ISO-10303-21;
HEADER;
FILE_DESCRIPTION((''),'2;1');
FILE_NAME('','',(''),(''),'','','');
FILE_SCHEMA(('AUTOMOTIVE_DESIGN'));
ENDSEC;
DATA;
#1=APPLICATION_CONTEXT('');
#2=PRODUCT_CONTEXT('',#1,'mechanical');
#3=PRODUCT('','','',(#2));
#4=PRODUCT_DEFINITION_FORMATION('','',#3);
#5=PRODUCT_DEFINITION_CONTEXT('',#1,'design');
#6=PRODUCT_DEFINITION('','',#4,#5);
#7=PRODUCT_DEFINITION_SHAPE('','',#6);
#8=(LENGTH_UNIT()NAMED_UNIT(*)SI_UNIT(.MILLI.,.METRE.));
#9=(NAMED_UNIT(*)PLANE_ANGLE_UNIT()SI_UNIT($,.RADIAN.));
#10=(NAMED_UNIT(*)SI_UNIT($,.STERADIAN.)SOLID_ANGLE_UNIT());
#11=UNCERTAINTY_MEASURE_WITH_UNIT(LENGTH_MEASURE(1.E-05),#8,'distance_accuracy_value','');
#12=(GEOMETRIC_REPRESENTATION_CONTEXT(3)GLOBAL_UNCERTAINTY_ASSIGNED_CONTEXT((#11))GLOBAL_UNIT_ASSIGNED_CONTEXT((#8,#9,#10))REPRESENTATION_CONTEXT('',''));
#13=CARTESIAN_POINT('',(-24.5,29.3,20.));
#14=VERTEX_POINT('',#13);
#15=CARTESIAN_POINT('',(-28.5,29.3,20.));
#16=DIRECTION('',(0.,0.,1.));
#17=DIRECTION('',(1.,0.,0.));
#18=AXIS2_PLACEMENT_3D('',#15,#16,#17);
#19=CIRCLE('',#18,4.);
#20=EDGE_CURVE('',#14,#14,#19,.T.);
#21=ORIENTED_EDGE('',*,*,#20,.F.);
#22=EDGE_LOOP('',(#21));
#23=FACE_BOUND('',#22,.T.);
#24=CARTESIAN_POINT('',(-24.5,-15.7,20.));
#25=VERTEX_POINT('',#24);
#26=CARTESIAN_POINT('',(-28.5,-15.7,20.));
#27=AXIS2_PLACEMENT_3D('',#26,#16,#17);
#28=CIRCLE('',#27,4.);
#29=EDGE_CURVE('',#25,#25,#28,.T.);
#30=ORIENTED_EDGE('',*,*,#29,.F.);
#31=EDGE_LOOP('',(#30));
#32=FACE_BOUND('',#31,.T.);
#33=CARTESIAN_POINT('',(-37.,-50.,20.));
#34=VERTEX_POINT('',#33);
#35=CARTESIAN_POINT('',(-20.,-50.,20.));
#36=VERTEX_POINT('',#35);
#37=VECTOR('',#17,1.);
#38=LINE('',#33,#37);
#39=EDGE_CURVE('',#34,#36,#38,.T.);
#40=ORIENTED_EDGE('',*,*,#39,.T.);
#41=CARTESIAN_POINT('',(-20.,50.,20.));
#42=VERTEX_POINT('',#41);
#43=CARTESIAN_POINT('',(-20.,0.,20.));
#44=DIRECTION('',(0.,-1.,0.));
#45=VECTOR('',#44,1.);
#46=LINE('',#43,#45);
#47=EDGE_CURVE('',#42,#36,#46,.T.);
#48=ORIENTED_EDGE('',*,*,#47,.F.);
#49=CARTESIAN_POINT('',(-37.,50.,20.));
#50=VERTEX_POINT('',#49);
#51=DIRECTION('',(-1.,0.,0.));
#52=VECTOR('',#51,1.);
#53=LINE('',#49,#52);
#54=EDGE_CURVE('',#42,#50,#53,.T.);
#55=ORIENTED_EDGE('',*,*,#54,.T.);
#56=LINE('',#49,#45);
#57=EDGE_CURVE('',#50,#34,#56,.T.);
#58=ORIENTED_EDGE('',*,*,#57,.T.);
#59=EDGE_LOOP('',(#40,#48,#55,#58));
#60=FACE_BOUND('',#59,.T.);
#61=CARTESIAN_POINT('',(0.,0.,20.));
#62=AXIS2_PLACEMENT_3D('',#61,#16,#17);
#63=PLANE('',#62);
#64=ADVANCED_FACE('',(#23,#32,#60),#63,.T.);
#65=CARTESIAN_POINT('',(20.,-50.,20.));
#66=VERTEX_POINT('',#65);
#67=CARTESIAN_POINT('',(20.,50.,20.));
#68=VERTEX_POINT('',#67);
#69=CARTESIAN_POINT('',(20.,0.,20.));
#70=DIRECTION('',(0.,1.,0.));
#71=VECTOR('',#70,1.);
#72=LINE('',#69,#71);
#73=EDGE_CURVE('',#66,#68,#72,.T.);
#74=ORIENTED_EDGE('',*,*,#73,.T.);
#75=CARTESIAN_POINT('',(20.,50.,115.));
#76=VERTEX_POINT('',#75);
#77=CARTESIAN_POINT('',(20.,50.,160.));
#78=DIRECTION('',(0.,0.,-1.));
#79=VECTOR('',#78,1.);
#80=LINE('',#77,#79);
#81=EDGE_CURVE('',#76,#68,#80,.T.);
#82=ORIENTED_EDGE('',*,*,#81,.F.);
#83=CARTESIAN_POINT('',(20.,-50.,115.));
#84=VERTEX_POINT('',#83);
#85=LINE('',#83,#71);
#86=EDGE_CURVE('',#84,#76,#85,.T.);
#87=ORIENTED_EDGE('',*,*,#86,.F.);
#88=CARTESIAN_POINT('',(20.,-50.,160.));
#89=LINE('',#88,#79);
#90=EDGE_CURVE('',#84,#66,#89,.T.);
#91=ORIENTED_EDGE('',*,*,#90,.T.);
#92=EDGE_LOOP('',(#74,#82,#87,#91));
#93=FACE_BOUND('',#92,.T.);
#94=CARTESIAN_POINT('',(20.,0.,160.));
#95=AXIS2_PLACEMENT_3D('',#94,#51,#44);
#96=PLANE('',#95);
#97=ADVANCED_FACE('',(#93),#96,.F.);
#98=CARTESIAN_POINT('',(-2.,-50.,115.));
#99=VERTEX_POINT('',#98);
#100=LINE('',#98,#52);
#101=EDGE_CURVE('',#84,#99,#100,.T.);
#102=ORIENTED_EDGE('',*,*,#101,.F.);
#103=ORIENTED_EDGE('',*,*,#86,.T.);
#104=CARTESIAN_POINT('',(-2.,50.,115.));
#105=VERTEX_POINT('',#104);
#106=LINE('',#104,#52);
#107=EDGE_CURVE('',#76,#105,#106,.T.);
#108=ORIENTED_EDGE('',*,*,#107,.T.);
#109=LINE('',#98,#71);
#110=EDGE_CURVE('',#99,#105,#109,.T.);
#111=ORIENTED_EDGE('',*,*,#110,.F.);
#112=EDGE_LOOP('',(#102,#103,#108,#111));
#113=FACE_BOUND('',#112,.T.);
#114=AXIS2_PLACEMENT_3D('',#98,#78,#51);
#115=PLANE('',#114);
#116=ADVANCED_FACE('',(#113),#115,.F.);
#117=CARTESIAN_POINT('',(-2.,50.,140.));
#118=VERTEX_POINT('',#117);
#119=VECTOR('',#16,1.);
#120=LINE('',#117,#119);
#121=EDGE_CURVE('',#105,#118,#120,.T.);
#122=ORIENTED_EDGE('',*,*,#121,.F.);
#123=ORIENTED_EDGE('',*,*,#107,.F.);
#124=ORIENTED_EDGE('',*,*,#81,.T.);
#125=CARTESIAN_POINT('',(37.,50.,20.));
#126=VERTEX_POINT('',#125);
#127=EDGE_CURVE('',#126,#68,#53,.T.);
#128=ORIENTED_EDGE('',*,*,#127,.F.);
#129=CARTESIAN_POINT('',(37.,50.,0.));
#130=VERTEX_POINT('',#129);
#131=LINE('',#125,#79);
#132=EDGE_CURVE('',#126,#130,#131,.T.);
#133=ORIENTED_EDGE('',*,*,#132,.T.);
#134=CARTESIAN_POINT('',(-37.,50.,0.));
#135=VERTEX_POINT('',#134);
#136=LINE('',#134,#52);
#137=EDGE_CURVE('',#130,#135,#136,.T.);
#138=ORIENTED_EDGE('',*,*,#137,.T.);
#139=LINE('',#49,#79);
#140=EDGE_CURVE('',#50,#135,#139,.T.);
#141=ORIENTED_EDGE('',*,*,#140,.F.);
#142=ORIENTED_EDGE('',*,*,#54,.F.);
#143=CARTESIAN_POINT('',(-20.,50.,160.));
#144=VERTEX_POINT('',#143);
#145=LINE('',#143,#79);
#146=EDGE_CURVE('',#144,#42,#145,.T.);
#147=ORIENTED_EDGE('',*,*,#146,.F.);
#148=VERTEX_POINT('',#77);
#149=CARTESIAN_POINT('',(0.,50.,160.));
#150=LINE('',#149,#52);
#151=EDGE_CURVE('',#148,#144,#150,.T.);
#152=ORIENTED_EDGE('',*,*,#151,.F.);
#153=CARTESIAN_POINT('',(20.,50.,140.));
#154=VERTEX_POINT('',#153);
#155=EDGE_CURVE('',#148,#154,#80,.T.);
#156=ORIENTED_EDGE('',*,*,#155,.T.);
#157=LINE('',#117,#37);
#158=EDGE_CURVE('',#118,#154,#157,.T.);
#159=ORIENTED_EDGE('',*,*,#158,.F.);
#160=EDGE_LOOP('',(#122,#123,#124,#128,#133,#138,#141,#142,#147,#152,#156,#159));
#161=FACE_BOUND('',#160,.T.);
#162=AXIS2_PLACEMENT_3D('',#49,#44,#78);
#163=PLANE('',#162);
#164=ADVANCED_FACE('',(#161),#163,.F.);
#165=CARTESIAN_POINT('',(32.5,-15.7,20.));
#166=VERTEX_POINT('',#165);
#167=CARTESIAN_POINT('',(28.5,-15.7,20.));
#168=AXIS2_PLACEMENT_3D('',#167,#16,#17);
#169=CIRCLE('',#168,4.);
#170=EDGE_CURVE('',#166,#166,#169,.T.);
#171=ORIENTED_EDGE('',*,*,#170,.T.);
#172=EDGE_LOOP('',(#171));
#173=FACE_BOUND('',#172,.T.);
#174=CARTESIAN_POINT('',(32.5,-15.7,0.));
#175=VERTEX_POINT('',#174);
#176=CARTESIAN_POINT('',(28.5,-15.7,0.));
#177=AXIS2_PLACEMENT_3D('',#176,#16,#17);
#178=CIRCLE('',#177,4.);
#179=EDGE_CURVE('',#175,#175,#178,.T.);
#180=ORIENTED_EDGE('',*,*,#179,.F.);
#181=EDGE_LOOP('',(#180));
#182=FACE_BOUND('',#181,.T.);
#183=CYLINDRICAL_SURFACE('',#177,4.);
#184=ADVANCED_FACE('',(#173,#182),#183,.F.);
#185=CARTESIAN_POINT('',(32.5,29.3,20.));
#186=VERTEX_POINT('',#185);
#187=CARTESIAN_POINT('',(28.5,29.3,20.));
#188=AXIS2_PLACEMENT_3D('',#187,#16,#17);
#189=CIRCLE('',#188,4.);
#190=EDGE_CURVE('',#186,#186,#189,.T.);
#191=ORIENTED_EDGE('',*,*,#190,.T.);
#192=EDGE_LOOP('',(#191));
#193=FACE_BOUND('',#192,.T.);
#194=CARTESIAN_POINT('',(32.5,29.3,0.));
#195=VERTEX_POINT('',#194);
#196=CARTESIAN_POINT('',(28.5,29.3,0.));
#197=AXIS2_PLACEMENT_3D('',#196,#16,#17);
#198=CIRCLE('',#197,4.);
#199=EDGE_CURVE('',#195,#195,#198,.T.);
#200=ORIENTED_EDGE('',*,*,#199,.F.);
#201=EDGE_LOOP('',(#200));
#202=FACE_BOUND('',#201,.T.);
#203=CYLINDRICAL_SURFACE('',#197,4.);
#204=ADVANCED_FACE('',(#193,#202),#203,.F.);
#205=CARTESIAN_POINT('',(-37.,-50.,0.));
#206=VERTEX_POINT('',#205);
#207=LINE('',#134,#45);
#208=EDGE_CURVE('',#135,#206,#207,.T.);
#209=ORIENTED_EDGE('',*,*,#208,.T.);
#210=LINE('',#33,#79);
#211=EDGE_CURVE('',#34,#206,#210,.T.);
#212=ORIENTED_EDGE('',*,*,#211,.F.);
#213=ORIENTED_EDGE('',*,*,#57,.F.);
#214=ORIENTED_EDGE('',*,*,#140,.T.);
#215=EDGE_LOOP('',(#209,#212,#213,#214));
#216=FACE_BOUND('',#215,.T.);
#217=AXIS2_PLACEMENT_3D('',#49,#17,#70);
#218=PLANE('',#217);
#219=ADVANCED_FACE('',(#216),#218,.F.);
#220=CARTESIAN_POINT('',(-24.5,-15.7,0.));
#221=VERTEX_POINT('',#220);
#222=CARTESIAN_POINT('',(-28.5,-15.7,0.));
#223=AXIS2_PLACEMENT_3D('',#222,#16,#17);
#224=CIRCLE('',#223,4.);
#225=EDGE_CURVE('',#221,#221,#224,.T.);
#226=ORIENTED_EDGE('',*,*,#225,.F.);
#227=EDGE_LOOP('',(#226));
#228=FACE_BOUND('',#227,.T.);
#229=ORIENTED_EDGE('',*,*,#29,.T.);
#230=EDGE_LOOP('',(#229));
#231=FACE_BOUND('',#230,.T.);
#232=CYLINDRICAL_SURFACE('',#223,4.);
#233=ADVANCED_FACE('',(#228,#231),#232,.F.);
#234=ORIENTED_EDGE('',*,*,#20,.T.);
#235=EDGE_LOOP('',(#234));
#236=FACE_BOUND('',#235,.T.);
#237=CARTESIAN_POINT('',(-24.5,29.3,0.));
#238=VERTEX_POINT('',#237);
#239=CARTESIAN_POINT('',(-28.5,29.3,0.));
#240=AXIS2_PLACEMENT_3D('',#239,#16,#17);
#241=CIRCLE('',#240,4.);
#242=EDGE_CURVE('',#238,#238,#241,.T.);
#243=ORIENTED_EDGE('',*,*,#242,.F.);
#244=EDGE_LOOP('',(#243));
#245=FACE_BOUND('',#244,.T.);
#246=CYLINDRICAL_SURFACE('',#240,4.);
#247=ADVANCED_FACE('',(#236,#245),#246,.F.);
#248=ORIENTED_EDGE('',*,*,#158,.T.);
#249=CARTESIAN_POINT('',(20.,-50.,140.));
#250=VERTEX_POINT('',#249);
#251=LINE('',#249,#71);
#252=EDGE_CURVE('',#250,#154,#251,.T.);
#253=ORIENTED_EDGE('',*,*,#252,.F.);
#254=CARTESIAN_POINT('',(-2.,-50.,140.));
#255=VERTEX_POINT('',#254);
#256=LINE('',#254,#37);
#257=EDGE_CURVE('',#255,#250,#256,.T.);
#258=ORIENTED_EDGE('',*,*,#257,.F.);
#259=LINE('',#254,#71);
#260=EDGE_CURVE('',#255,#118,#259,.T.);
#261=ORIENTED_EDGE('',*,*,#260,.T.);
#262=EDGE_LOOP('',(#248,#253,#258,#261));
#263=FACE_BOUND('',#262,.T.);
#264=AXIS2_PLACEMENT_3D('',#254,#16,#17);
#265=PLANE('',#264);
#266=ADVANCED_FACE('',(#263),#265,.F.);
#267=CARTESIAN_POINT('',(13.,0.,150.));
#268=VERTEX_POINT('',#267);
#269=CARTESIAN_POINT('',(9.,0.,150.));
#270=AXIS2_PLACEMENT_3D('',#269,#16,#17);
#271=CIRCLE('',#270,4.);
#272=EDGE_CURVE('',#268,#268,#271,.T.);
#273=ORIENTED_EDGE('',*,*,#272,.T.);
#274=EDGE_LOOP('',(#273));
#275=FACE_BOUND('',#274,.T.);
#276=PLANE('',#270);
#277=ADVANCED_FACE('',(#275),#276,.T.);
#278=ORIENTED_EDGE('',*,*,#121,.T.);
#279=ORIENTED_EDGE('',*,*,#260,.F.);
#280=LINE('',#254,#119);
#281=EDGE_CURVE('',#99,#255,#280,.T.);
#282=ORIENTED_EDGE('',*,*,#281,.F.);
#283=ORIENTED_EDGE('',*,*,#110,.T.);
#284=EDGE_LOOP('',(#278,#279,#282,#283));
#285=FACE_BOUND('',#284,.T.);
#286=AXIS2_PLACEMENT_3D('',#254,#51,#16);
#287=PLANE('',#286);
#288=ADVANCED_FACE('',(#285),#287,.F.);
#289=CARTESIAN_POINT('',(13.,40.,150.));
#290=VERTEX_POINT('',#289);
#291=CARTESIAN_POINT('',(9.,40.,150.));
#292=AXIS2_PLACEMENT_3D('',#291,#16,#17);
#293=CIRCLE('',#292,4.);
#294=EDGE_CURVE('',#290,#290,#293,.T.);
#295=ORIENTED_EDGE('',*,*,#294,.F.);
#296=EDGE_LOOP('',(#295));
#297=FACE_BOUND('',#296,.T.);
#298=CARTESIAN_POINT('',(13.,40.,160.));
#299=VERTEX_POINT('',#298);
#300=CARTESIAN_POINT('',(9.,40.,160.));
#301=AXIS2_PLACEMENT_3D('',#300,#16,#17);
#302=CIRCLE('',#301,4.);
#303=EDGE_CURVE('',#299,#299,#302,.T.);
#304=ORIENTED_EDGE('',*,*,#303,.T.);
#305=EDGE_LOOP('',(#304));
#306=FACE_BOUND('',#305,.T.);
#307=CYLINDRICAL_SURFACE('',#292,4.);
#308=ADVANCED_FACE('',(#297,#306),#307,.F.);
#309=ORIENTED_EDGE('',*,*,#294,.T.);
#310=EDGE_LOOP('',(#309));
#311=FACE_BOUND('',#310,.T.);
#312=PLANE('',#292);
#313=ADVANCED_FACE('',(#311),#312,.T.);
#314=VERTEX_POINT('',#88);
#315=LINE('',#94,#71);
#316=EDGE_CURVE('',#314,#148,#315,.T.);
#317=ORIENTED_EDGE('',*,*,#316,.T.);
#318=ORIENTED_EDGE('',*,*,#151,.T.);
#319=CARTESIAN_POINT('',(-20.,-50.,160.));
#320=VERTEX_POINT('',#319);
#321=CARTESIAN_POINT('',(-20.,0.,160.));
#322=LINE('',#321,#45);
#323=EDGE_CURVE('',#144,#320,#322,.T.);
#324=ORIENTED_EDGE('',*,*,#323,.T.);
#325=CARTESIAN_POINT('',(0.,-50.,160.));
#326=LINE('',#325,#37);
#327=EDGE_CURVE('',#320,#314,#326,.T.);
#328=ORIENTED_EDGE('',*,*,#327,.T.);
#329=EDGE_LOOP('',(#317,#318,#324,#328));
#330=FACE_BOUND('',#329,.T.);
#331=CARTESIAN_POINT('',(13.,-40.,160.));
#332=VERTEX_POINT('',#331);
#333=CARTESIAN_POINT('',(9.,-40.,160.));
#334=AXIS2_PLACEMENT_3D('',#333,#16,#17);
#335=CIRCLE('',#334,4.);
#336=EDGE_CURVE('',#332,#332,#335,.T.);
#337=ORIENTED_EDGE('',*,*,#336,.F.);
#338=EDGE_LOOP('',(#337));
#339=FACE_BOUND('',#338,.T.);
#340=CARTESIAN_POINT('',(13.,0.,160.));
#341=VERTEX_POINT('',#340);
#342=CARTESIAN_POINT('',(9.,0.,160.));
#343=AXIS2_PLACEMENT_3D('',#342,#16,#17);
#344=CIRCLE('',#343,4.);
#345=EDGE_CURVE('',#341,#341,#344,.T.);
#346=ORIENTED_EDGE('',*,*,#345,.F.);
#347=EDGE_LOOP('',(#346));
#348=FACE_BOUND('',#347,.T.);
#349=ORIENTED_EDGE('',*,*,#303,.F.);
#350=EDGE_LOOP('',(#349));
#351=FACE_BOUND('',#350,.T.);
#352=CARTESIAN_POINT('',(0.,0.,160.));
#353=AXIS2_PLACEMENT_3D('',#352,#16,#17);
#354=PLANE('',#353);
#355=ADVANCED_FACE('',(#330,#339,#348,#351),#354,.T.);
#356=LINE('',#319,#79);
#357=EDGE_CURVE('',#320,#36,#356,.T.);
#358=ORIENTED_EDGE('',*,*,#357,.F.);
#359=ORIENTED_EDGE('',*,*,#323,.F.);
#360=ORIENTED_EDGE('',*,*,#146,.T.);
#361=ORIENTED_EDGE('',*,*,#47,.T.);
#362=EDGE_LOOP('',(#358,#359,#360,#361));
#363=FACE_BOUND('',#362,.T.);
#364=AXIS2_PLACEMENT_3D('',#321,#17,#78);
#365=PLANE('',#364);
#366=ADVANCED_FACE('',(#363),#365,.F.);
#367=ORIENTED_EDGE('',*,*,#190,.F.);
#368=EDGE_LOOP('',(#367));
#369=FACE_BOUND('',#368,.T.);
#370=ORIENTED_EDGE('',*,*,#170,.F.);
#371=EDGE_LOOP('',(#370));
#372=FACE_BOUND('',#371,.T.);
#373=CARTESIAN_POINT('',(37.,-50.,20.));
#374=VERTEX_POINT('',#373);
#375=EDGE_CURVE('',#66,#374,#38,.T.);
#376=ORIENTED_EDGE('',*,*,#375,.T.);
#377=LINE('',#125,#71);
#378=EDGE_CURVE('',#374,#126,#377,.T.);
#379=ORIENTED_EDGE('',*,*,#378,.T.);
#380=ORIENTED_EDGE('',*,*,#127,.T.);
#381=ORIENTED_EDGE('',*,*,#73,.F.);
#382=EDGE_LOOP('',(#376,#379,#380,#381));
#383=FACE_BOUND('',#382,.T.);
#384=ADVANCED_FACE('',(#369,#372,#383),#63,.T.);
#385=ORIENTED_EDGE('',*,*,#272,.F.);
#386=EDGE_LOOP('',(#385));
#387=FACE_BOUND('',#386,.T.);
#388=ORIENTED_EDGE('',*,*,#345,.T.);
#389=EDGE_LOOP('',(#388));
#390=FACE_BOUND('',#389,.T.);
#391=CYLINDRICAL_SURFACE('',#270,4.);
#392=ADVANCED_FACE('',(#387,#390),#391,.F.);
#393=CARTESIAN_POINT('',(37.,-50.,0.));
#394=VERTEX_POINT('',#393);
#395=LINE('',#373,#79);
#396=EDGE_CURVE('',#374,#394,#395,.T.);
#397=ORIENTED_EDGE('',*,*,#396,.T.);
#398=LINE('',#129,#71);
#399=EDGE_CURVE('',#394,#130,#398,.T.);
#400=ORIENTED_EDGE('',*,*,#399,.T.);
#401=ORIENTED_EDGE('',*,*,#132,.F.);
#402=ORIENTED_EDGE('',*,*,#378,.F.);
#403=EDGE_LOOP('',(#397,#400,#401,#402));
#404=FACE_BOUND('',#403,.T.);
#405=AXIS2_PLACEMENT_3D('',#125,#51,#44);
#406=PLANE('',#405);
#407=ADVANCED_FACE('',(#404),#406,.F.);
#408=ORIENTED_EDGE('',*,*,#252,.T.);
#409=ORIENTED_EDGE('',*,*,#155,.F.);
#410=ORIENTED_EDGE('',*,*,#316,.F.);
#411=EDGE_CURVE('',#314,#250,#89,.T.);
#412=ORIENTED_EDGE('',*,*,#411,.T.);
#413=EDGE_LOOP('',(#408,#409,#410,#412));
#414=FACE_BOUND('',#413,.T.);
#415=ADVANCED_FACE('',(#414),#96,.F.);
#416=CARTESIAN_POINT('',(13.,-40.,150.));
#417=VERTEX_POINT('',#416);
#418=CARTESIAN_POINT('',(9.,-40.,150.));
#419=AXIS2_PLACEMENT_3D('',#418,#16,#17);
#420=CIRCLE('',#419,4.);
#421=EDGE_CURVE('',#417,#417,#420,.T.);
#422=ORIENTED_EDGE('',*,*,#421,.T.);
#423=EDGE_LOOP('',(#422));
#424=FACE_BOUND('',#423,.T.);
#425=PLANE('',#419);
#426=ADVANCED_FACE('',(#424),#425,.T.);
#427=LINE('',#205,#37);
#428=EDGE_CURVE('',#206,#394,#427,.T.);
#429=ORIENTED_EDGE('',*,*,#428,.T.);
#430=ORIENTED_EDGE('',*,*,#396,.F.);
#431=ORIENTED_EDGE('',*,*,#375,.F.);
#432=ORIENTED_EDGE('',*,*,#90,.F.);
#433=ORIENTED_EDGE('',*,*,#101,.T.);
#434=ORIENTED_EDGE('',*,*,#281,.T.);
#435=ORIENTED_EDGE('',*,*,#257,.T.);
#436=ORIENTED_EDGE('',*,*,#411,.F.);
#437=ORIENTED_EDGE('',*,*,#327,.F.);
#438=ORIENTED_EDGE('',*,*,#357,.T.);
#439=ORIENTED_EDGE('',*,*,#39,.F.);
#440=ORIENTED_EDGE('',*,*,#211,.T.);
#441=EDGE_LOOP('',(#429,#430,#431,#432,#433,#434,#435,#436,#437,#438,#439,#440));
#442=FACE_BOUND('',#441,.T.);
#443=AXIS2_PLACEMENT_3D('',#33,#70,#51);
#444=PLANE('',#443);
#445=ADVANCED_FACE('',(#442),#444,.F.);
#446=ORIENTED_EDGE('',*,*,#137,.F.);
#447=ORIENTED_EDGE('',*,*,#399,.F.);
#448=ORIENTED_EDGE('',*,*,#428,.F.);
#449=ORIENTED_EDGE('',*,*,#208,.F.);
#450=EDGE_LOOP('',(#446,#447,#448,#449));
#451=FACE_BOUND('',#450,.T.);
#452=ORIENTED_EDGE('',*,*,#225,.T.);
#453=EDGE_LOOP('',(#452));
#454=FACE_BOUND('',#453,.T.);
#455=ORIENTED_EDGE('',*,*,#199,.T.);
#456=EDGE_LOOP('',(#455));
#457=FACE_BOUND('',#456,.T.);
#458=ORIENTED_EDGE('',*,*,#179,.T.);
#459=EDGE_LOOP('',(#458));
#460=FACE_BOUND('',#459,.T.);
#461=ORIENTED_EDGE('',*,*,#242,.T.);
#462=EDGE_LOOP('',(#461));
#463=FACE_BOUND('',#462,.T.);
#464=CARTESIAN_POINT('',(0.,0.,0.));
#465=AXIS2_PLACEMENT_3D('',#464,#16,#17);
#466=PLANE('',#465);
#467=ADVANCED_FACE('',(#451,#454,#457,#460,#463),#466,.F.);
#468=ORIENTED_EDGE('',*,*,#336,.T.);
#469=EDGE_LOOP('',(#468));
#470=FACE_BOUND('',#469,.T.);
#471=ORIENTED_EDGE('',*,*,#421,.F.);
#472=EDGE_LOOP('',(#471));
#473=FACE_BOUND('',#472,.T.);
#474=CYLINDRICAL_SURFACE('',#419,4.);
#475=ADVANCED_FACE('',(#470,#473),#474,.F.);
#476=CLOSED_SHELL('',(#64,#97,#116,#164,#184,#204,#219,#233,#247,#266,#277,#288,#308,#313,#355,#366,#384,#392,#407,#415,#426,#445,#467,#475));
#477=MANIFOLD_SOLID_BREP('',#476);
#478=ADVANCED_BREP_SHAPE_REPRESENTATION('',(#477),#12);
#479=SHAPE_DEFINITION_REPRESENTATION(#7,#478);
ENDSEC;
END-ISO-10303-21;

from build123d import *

# Parameters (mm, degrees)
SZKIC1_W                    = 74
SZKIC1_H                    = 100
DODANIE_WYCI_GNI_CIE1_DEPTH = 20
SZKIC3_W                    = 40
SZKIC3_H                    = 100
DODANIE_WYCI_GNI_CIE2_DEPTH = 140
SZKIC4_R                    = 4
WYTNIJ_WYCI_GNI_CIE1_DEPTH  = 20
SZYK_LINIOWY1_COUNT         = 2
SZYK_LINIOWY1_PITCH         = 45
SZYK_LINIOWY1_COUNT_DIR2    = 2
SZYK_LINIOWY1_PITCH_DIR2    = 57
SZKIC5_W                    = 22
SZKIC5_H                    = 25
WYTNIJ_WYCI_GNI_CIE2_DEPTH  = 100
SZKIC6_R                    = 4
WYTNIJ_WYCI_GNI_CIE3_DEPTH  = 10


with BuildPart() as part:
    # Szkic1 → Dodanie-wyciągnięcie1 (new body)
    with BuildSketch(Plane.XY):
        Rectangle(SZKIC1_W, SZKIC1_H)
    extrude(amount=DODANIE_WYCI_GNI_CIE1_DEPTH)

    # Szkic3 → Dodanie-wyciągnięcie2 (add)
    with BuildSketch(Plane.XY.offset(20)):
        Rectangle(SZKIC3_W, SZKIC3_H)
    extrude(amount=DODANIE_WYCI_GNI_CIE2_DEPTH)

    # Szkic4 → Wytnij-wyciągnięcie1 (cut)
    with BuildSketch(Plane.XY.offset(20)):
        with Locations((-28.5, 29.3)):
            Circle(SZKIC4_R)
    wytnij_wyci_gni_cie1 = extrude(amount=-WYTNIJ_WYCI_GNI_CIE1_DEPTH, mode=Mode.SUBTRACT)

    # Szyk liniowy1: Wytnij-wyci_gni_cie1 2 × 2
    with Locations(*[(j * SZYK_LINIOWY1_PITCH_DIR2, -i * SZYK_LINIOWY1_PITCH, 0) for i in range(SZYK_LINIOWY1_COUNT) for j in range(SZYK_LINIOWY1_COUNT_DIR2) if (i, j) != (0, 0)]):
        add(wytnij_wyci_gni_cie1, mode=Mode.SUBTRACT)

    # Szkic5 → Wytnij-wyciągnięcie2 (cut)
    with BuildSketch(Plane(origin=(0, 50, 0), x_dir=(1, 0, 0), z_dir=(0, 1, 0))):
        with Locations((9, -127.5)):
            Rectangle(SZKIC5_W, SZKIC5_H)
    extrude(amount=-WYTNIJ_WYCI_GNI_CIE2_DEPTH, mode=Mode.SUBTRACT)

    # Szkic6 → Wytnij-wyciągnięcie3 (cut)
    with BuildSketch(Plane.XY.offset(160)):
        with Locations((9, 40)):
            Circle(SZKIC6_R)
        with Locations((9, 0)):
            Circle(SZKIC6_R)
        with Locations((9, -40)):
            Circle(SZKIC6_R)
    extrude(amount=-WYTNIJ_WYCI_GNI_CIE3_DEPTH, mode=Mode.SUBTRACT)


solid = part.part
